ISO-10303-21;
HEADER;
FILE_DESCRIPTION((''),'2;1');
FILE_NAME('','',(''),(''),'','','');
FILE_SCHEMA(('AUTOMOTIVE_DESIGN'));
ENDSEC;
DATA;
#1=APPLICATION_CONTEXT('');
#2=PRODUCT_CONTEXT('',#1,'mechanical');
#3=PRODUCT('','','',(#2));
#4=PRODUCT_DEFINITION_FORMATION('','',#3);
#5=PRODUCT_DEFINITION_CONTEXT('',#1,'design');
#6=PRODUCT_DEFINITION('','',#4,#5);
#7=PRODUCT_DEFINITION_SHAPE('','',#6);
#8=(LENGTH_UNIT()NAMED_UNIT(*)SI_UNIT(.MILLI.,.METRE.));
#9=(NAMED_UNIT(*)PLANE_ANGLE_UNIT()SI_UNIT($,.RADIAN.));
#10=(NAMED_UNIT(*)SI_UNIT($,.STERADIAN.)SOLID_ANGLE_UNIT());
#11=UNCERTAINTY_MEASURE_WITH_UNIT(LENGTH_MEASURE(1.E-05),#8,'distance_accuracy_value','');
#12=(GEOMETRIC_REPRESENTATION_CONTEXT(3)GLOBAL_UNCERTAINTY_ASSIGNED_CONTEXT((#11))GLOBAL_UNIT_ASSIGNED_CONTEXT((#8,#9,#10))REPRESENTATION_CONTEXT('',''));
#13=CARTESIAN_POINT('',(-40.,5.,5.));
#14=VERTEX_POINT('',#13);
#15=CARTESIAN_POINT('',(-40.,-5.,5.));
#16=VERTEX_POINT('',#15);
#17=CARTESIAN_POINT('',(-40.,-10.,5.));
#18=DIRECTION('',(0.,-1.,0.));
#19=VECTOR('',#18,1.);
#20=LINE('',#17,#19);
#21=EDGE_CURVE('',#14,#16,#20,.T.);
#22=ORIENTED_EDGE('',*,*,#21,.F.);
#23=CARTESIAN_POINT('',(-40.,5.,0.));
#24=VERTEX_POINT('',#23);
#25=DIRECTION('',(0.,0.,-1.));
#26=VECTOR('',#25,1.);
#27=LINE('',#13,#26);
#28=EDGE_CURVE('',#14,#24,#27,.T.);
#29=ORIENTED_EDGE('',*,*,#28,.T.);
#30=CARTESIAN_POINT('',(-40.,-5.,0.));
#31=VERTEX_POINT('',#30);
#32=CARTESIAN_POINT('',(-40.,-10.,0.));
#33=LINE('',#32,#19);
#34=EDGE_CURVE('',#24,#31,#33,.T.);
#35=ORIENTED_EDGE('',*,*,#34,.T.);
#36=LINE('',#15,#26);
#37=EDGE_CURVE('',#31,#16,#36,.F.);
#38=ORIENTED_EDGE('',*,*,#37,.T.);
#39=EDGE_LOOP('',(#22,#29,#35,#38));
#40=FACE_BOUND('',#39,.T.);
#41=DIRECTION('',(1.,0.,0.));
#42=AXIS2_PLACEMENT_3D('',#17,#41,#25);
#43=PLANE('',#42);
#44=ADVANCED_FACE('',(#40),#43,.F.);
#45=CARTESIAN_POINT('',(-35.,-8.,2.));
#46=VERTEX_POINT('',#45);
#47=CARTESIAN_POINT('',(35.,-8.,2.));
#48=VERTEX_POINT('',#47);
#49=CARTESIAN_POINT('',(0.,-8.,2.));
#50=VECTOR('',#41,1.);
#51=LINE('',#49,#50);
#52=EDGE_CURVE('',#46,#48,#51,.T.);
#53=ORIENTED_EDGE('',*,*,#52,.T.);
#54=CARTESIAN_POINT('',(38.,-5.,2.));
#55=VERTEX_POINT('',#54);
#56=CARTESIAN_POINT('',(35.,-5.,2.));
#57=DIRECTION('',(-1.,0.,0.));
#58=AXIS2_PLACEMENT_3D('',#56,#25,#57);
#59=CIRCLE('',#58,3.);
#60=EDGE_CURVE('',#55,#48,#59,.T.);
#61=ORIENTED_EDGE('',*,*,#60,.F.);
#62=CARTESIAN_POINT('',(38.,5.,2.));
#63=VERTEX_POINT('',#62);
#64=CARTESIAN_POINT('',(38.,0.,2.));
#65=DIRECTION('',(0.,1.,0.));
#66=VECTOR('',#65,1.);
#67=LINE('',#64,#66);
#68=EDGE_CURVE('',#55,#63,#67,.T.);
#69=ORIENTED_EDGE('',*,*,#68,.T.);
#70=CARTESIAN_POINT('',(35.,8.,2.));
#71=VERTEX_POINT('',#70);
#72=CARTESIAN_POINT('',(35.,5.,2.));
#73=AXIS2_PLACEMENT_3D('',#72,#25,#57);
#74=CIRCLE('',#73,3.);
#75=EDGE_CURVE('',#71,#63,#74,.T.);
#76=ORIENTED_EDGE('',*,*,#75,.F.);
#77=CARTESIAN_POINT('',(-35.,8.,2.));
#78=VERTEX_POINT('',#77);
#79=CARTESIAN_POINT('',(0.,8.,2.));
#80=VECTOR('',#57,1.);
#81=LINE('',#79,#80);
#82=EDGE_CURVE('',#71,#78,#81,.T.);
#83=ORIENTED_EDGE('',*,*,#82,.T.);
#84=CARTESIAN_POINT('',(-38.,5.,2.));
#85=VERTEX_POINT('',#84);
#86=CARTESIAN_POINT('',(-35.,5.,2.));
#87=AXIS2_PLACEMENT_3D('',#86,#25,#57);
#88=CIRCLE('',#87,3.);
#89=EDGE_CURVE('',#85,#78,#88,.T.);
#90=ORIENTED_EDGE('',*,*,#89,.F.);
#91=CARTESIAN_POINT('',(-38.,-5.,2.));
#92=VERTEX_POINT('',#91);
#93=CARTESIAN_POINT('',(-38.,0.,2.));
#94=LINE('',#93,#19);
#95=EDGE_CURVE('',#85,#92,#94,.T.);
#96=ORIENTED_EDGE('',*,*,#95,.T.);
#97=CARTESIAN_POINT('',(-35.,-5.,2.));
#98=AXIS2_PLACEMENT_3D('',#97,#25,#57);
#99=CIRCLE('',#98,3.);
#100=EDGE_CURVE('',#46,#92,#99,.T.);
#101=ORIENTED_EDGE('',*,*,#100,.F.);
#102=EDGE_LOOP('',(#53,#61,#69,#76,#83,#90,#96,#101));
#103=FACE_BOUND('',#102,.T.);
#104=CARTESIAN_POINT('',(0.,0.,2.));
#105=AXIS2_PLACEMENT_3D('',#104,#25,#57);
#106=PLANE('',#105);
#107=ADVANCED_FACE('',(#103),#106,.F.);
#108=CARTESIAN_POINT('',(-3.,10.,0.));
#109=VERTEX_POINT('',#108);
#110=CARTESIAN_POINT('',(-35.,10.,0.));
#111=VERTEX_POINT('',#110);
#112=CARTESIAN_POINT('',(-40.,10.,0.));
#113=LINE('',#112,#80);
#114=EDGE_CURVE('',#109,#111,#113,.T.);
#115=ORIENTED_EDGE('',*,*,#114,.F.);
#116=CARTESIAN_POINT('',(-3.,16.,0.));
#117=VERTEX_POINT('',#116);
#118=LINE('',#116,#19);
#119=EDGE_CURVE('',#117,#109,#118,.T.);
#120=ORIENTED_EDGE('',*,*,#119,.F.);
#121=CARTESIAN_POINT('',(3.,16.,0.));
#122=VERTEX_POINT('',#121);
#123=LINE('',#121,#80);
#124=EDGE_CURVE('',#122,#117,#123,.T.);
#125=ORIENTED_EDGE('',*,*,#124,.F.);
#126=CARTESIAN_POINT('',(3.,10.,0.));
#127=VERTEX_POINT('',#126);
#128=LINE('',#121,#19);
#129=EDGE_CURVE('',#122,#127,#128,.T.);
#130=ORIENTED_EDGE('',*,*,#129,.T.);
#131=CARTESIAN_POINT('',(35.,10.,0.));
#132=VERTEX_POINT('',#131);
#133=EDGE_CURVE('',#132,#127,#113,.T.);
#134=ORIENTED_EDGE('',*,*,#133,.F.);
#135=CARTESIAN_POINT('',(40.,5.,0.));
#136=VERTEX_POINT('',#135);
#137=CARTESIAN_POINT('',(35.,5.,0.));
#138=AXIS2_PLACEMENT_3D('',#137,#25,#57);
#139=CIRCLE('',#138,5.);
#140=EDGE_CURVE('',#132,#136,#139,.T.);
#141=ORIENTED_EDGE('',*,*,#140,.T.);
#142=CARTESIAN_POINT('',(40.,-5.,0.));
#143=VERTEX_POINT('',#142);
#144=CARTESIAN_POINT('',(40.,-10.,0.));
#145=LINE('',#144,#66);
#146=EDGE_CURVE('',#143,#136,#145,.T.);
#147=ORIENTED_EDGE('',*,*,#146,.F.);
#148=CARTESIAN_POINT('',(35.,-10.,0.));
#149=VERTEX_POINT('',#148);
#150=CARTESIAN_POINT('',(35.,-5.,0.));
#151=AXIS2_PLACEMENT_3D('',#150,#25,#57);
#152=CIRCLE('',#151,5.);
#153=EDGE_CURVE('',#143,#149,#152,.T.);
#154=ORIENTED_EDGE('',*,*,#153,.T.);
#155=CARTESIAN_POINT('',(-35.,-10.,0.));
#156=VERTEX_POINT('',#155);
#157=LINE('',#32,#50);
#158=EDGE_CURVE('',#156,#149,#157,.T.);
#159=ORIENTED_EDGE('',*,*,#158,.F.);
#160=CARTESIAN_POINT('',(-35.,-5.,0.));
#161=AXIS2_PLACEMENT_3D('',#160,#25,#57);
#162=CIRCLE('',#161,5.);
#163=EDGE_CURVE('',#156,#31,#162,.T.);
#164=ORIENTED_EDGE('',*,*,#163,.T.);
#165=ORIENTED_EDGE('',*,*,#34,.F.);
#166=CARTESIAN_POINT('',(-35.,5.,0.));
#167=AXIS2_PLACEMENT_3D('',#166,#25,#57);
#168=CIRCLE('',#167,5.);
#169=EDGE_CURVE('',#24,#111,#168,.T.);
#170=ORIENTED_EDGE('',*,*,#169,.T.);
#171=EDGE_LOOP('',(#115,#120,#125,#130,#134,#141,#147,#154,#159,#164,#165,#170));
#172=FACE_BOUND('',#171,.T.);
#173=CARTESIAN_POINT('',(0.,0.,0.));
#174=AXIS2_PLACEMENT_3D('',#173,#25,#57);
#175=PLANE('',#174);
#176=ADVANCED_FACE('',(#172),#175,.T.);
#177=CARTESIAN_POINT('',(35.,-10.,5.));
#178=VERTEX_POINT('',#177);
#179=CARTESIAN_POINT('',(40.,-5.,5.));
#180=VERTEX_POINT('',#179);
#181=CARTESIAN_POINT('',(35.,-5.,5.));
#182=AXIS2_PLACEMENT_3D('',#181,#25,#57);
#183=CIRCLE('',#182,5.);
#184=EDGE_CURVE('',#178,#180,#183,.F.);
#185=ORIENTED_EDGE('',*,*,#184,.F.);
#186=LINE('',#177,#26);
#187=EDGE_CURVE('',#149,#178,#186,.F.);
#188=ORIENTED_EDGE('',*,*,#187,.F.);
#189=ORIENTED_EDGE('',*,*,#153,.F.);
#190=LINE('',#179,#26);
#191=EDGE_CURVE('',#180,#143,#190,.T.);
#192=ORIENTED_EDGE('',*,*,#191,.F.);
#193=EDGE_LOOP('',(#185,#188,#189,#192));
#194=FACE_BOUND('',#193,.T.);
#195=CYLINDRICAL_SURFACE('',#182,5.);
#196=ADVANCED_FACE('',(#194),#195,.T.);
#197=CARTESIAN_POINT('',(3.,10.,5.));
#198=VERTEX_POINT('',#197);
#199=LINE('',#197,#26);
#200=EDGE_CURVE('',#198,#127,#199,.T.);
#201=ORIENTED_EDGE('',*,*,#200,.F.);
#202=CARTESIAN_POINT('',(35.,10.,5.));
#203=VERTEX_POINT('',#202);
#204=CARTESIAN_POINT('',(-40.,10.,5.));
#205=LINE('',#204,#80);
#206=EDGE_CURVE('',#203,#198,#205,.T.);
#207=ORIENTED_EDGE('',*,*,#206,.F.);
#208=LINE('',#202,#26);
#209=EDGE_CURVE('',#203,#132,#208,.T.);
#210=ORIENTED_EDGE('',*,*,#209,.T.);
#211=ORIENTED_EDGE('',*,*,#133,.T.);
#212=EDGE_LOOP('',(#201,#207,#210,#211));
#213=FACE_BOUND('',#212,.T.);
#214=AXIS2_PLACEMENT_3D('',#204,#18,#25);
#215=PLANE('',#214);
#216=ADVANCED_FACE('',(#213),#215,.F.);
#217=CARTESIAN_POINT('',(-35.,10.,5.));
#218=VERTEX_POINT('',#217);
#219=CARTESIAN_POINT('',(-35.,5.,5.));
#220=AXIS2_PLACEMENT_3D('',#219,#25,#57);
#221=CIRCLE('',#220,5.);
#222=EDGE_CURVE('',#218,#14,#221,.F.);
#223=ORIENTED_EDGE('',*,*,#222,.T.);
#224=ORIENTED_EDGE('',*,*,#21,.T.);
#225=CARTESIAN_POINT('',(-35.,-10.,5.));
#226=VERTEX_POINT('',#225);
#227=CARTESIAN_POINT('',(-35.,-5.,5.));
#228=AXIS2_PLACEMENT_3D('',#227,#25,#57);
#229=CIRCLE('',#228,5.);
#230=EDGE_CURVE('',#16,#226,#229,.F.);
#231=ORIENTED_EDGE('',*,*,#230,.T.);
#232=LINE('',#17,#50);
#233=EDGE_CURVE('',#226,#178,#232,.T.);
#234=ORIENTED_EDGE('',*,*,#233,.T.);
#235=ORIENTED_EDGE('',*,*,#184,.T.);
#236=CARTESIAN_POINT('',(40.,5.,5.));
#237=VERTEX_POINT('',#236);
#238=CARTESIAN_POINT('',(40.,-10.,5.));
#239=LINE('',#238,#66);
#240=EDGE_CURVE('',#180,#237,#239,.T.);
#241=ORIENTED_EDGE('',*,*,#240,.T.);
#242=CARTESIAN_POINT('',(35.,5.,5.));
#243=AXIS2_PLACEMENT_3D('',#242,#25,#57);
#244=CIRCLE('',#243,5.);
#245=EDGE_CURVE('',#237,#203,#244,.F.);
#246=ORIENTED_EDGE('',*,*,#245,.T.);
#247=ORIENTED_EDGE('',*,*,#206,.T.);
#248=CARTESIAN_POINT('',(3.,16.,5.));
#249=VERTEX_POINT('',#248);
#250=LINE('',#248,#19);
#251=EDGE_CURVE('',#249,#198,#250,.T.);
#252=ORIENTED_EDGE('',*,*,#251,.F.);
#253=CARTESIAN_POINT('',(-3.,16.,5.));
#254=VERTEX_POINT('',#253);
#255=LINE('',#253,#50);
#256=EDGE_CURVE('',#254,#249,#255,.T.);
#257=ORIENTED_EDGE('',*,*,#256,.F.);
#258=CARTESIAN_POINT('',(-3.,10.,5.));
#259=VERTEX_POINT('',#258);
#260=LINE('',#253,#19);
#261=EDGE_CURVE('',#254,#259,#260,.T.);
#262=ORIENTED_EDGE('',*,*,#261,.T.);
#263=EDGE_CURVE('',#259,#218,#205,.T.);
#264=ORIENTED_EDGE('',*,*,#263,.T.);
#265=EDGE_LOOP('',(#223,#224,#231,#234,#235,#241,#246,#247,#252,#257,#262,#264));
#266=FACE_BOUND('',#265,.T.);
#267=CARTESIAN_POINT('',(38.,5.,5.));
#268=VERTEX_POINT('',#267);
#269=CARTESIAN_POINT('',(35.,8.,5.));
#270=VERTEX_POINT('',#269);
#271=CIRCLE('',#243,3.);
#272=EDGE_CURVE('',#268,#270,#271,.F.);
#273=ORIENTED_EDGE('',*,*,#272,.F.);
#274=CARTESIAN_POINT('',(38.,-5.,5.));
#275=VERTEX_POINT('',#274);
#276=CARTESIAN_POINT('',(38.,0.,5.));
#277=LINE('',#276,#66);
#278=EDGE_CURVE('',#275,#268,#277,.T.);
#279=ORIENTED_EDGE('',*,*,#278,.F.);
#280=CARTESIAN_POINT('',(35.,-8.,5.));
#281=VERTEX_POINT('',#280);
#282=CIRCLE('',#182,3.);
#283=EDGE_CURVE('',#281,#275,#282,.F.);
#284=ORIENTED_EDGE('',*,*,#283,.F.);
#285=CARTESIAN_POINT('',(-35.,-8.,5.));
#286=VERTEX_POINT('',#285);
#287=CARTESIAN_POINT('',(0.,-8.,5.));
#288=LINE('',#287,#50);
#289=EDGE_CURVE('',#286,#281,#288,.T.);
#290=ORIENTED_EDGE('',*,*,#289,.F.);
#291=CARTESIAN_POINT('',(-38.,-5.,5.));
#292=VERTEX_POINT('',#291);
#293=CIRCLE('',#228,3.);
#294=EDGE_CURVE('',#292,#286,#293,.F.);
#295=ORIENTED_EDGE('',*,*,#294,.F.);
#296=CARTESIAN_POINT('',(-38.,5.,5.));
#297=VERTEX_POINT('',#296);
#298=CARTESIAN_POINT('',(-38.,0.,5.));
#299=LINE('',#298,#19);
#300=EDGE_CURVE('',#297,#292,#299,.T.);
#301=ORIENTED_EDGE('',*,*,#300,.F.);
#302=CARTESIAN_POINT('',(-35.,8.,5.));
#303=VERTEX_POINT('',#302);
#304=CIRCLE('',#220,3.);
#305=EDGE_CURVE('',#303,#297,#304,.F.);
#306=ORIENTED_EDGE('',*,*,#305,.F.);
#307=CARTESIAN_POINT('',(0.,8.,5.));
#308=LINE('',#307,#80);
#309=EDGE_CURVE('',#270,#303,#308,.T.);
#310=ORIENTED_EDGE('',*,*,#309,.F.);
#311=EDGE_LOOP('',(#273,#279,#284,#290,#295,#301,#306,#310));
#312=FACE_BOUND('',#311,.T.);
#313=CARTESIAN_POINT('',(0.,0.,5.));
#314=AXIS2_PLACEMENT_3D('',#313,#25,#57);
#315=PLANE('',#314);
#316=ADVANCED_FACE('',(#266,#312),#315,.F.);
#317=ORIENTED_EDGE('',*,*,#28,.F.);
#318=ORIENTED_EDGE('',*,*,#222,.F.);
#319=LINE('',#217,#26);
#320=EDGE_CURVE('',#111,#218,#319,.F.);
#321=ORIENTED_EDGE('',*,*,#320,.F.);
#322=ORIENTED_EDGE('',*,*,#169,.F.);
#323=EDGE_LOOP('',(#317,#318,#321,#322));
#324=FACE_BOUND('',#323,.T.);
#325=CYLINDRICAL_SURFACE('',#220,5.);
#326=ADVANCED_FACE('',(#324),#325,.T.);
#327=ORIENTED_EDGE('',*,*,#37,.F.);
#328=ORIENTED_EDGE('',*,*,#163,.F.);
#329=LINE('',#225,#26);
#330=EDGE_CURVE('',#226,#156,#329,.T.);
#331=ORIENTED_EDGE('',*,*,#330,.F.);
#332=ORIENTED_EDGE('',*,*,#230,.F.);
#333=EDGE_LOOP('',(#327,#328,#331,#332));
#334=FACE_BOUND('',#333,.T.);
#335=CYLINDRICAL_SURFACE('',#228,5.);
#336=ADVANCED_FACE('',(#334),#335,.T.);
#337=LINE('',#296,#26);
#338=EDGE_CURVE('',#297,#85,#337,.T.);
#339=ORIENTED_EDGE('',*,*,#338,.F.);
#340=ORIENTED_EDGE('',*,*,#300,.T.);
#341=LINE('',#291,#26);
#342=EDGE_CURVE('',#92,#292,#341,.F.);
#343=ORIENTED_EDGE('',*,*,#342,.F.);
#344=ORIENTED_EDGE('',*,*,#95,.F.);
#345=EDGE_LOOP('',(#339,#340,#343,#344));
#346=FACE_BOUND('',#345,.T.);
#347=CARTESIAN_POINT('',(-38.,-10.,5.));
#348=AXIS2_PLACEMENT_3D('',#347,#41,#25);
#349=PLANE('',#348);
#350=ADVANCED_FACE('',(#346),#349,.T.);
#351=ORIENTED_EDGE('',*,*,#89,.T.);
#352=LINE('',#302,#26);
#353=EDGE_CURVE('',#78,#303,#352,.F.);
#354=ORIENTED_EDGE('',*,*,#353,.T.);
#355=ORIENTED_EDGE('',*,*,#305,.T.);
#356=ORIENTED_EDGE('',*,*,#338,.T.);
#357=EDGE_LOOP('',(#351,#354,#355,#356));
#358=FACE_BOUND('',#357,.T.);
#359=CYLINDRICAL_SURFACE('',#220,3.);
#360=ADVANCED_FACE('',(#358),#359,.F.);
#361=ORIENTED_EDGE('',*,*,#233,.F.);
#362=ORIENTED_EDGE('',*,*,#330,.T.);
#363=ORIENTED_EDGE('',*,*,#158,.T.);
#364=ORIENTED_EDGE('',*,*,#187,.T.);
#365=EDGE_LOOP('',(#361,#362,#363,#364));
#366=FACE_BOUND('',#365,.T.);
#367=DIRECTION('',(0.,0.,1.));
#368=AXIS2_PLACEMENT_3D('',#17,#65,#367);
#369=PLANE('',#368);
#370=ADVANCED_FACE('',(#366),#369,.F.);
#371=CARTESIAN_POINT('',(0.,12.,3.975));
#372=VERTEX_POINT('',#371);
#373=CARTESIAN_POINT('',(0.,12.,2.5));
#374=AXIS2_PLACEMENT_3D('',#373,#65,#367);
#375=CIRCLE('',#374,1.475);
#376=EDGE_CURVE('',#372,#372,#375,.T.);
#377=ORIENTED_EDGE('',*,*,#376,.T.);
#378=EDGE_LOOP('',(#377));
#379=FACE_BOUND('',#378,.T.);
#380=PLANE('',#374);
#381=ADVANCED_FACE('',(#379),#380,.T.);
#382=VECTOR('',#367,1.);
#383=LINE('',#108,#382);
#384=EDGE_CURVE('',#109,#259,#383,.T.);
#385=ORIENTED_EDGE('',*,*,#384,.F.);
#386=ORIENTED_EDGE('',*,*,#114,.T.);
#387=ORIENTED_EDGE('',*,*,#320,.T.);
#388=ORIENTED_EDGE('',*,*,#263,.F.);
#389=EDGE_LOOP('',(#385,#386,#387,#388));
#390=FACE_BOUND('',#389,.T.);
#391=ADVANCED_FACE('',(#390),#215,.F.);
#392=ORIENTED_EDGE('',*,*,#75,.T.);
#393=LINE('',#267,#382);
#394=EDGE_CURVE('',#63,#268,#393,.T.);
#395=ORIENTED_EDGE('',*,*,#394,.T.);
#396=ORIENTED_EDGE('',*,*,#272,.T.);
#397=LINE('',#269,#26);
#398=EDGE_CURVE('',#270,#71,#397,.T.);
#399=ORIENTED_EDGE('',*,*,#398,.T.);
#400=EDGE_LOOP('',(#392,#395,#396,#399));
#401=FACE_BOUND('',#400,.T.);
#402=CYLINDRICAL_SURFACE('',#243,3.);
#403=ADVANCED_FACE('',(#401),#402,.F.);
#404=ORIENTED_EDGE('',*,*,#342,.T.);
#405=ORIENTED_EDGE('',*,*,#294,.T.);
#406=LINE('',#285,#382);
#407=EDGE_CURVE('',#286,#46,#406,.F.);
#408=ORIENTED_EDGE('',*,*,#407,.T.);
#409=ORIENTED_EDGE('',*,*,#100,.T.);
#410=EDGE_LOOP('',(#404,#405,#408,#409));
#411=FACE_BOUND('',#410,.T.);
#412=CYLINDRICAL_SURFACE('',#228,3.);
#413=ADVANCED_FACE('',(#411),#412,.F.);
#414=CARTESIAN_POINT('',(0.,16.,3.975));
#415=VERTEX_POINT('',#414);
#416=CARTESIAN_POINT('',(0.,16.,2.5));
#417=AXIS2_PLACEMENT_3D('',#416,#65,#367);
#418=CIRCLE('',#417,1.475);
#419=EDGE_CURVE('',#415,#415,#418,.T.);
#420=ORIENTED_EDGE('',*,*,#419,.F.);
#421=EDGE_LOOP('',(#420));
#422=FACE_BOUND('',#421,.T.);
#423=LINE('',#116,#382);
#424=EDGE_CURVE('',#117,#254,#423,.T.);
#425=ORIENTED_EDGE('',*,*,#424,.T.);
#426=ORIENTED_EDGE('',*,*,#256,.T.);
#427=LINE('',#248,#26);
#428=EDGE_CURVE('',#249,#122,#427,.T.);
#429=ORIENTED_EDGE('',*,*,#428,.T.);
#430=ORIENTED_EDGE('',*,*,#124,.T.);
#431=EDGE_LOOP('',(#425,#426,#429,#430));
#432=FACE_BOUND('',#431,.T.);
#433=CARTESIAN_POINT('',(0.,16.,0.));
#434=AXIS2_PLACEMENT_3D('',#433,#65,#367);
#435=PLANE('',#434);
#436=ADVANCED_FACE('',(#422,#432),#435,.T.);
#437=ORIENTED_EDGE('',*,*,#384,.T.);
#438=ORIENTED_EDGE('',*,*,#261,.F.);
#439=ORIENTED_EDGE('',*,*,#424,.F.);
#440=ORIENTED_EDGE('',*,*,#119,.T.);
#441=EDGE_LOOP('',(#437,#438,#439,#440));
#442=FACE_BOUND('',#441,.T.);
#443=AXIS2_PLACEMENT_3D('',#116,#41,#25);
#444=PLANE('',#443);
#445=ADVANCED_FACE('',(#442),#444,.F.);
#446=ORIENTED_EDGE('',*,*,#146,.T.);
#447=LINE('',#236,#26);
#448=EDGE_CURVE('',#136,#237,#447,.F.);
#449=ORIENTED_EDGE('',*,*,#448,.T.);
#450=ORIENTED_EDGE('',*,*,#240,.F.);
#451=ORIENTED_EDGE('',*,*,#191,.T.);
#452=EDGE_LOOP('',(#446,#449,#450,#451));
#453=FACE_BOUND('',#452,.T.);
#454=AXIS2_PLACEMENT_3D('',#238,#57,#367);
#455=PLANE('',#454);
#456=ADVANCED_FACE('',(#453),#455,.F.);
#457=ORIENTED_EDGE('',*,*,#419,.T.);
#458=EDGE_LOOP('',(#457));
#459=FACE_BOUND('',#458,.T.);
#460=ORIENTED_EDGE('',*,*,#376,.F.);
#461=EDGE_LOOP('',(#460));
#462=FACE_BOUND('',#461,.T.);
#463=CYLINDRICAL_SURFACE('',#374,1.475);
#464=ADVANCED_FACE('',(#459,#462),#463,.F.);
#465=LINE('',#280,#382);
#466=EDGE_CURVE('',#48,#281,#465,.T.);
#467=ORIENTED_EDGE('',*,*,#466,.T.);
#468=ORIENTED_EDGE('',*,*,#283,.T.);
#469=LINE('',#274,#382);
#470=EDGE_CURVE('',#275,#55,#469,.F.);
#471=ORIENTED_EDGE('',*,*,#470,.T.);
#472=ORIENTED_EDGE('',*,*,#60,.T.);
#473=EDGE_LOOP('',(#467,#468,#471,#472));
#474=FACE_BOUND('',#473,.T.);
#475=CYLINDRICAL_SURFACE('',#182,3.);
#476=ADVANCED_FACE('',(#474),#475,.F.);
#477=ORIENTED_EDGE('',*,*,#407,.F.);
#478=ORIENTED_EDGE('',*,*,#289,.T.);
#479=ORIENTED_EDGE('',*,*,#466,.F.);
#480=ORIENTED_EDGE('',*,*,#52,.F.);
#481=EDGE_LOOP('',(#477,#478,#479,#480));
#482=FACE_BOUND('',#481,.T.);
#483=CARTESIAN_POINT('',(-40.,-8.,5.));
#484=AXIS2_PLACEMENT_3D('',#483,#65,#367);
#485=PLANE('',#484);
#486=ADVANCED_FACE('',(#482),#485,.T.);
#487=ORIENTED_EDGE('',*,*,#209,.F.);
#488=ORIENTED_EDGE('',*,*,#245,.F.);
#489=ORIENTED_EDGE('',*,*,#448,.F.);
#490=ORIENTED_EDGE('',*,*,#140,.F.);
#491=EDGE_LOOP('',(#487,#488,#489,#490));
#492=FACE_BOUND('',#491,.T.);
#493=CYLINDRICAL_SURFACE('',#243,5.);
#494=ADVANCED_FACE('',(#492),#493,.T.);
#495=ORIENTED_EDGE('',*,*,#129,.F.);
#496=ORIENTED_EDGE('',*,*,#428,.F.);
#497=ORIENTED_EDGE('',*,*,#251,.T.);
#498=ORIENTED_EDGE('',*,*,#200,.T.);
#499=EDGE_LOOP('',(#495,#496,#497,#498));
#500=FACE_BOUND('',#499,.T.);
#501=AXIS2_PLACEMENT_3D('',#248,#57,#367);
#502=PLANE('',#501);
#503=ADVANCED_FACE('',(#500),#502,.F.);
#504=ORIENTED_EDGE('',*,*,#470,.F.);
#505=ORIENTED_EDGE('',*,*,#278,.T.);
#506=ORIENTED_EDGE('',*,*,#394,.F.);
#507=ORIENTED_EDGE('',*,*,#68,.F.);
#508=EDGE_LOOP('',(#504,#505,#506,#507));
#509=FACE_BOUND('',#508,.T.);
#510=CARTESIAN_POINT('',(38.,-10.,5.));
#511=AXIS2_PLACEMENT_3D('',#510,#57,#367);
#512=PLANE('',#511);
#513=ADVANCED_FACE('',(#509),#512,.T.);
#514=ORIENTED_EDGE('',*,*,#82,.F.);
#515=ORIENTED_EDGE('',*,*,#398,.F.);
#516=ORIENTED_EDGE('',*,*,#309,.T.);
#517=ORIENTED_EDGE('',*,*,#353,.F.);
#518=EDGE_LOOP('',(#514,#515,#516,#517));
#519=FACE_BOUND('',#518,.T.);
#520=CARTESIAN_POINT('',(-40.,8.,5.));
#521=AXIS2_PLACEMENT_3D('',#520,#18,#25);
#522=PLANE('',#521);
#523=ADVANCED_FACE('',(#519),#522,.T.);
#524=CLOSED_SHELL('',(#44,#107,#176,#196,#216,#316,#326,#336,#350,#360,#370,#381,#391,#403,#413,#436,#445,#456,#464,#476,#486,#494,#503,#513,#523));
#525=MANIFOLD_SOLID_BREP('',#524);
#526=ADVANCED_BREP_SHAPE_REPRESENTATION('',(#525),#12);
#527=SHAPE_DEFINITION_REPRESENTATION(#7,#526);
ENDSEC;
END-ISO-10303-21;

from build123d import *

# Parameters (mm, degrees)
SKETCH1_W           = 80
SKETCH1_H           = 20
BOSS_EXTRUDE1_DEPTH = 5
FILLET1_R           = 5
SHELL1_T            = -2
BOSS_EXTRUDE2_DEPTH = 6
SKETCH3_R           = 1.475
CUT_EXTRUDE1_DEPTH  = 4


with BuildPart() as part:
    # Sketch1 → Boss-Extrude1 (new body)
    with BuildSketch(Plane.XY):
        Rectangle(SKETCH1_W, SKETCH1_H)
    extrude(amount=BOSS_EXTRUDE1_DEPTH)

    # Fillet1
    fillet1_edges = [part.edges().sort_by_distance(p)[0] for p in [
        (40, -10, 2.5),
        (-40, -10, 2.5),
        (-40, 10, 2.5),
        (40, 10, 2.5),
    ]]
    fillet(fillet1_edges, radius=FILLET1_R)

    # Shell1
    shell1_openings = [part.faces().sort_by_distance(p)[0] for p in [
        (0, 0, 5),
    ]]
    offset(amount=SHELL1_T, openings=shell1_openings, kind=Kind.INTERSECTION)

    # Sketch2 → Boss-Extrude2 (add)
    with BuildSketch(Plane(origin=(0, 10, 0), x_dir=(1, 0, 0), z_dir=(0, 1, 0))):
        Polygon((0, 0), (-3, 0), (-3, -5), (3, -5), (3, 0), align=None)
    extrude(amount=BOSS_EXTRUDE2_DEPTH)

    # Sketch3 → Cut-Extrude1 (cut)
    with BuildSketch(Plane(origin=(0, 16, 0), x_dir=(1, 0, 0), z_dir=(0, 1, 0))):
        with Locations((0, -2.5)):
            Circle(SKETCH3_R)
    extrude(amount=-CUT_EXTRUDE1_DEPTH, mode=Mode.SUBTRACT)


solid = part.part
